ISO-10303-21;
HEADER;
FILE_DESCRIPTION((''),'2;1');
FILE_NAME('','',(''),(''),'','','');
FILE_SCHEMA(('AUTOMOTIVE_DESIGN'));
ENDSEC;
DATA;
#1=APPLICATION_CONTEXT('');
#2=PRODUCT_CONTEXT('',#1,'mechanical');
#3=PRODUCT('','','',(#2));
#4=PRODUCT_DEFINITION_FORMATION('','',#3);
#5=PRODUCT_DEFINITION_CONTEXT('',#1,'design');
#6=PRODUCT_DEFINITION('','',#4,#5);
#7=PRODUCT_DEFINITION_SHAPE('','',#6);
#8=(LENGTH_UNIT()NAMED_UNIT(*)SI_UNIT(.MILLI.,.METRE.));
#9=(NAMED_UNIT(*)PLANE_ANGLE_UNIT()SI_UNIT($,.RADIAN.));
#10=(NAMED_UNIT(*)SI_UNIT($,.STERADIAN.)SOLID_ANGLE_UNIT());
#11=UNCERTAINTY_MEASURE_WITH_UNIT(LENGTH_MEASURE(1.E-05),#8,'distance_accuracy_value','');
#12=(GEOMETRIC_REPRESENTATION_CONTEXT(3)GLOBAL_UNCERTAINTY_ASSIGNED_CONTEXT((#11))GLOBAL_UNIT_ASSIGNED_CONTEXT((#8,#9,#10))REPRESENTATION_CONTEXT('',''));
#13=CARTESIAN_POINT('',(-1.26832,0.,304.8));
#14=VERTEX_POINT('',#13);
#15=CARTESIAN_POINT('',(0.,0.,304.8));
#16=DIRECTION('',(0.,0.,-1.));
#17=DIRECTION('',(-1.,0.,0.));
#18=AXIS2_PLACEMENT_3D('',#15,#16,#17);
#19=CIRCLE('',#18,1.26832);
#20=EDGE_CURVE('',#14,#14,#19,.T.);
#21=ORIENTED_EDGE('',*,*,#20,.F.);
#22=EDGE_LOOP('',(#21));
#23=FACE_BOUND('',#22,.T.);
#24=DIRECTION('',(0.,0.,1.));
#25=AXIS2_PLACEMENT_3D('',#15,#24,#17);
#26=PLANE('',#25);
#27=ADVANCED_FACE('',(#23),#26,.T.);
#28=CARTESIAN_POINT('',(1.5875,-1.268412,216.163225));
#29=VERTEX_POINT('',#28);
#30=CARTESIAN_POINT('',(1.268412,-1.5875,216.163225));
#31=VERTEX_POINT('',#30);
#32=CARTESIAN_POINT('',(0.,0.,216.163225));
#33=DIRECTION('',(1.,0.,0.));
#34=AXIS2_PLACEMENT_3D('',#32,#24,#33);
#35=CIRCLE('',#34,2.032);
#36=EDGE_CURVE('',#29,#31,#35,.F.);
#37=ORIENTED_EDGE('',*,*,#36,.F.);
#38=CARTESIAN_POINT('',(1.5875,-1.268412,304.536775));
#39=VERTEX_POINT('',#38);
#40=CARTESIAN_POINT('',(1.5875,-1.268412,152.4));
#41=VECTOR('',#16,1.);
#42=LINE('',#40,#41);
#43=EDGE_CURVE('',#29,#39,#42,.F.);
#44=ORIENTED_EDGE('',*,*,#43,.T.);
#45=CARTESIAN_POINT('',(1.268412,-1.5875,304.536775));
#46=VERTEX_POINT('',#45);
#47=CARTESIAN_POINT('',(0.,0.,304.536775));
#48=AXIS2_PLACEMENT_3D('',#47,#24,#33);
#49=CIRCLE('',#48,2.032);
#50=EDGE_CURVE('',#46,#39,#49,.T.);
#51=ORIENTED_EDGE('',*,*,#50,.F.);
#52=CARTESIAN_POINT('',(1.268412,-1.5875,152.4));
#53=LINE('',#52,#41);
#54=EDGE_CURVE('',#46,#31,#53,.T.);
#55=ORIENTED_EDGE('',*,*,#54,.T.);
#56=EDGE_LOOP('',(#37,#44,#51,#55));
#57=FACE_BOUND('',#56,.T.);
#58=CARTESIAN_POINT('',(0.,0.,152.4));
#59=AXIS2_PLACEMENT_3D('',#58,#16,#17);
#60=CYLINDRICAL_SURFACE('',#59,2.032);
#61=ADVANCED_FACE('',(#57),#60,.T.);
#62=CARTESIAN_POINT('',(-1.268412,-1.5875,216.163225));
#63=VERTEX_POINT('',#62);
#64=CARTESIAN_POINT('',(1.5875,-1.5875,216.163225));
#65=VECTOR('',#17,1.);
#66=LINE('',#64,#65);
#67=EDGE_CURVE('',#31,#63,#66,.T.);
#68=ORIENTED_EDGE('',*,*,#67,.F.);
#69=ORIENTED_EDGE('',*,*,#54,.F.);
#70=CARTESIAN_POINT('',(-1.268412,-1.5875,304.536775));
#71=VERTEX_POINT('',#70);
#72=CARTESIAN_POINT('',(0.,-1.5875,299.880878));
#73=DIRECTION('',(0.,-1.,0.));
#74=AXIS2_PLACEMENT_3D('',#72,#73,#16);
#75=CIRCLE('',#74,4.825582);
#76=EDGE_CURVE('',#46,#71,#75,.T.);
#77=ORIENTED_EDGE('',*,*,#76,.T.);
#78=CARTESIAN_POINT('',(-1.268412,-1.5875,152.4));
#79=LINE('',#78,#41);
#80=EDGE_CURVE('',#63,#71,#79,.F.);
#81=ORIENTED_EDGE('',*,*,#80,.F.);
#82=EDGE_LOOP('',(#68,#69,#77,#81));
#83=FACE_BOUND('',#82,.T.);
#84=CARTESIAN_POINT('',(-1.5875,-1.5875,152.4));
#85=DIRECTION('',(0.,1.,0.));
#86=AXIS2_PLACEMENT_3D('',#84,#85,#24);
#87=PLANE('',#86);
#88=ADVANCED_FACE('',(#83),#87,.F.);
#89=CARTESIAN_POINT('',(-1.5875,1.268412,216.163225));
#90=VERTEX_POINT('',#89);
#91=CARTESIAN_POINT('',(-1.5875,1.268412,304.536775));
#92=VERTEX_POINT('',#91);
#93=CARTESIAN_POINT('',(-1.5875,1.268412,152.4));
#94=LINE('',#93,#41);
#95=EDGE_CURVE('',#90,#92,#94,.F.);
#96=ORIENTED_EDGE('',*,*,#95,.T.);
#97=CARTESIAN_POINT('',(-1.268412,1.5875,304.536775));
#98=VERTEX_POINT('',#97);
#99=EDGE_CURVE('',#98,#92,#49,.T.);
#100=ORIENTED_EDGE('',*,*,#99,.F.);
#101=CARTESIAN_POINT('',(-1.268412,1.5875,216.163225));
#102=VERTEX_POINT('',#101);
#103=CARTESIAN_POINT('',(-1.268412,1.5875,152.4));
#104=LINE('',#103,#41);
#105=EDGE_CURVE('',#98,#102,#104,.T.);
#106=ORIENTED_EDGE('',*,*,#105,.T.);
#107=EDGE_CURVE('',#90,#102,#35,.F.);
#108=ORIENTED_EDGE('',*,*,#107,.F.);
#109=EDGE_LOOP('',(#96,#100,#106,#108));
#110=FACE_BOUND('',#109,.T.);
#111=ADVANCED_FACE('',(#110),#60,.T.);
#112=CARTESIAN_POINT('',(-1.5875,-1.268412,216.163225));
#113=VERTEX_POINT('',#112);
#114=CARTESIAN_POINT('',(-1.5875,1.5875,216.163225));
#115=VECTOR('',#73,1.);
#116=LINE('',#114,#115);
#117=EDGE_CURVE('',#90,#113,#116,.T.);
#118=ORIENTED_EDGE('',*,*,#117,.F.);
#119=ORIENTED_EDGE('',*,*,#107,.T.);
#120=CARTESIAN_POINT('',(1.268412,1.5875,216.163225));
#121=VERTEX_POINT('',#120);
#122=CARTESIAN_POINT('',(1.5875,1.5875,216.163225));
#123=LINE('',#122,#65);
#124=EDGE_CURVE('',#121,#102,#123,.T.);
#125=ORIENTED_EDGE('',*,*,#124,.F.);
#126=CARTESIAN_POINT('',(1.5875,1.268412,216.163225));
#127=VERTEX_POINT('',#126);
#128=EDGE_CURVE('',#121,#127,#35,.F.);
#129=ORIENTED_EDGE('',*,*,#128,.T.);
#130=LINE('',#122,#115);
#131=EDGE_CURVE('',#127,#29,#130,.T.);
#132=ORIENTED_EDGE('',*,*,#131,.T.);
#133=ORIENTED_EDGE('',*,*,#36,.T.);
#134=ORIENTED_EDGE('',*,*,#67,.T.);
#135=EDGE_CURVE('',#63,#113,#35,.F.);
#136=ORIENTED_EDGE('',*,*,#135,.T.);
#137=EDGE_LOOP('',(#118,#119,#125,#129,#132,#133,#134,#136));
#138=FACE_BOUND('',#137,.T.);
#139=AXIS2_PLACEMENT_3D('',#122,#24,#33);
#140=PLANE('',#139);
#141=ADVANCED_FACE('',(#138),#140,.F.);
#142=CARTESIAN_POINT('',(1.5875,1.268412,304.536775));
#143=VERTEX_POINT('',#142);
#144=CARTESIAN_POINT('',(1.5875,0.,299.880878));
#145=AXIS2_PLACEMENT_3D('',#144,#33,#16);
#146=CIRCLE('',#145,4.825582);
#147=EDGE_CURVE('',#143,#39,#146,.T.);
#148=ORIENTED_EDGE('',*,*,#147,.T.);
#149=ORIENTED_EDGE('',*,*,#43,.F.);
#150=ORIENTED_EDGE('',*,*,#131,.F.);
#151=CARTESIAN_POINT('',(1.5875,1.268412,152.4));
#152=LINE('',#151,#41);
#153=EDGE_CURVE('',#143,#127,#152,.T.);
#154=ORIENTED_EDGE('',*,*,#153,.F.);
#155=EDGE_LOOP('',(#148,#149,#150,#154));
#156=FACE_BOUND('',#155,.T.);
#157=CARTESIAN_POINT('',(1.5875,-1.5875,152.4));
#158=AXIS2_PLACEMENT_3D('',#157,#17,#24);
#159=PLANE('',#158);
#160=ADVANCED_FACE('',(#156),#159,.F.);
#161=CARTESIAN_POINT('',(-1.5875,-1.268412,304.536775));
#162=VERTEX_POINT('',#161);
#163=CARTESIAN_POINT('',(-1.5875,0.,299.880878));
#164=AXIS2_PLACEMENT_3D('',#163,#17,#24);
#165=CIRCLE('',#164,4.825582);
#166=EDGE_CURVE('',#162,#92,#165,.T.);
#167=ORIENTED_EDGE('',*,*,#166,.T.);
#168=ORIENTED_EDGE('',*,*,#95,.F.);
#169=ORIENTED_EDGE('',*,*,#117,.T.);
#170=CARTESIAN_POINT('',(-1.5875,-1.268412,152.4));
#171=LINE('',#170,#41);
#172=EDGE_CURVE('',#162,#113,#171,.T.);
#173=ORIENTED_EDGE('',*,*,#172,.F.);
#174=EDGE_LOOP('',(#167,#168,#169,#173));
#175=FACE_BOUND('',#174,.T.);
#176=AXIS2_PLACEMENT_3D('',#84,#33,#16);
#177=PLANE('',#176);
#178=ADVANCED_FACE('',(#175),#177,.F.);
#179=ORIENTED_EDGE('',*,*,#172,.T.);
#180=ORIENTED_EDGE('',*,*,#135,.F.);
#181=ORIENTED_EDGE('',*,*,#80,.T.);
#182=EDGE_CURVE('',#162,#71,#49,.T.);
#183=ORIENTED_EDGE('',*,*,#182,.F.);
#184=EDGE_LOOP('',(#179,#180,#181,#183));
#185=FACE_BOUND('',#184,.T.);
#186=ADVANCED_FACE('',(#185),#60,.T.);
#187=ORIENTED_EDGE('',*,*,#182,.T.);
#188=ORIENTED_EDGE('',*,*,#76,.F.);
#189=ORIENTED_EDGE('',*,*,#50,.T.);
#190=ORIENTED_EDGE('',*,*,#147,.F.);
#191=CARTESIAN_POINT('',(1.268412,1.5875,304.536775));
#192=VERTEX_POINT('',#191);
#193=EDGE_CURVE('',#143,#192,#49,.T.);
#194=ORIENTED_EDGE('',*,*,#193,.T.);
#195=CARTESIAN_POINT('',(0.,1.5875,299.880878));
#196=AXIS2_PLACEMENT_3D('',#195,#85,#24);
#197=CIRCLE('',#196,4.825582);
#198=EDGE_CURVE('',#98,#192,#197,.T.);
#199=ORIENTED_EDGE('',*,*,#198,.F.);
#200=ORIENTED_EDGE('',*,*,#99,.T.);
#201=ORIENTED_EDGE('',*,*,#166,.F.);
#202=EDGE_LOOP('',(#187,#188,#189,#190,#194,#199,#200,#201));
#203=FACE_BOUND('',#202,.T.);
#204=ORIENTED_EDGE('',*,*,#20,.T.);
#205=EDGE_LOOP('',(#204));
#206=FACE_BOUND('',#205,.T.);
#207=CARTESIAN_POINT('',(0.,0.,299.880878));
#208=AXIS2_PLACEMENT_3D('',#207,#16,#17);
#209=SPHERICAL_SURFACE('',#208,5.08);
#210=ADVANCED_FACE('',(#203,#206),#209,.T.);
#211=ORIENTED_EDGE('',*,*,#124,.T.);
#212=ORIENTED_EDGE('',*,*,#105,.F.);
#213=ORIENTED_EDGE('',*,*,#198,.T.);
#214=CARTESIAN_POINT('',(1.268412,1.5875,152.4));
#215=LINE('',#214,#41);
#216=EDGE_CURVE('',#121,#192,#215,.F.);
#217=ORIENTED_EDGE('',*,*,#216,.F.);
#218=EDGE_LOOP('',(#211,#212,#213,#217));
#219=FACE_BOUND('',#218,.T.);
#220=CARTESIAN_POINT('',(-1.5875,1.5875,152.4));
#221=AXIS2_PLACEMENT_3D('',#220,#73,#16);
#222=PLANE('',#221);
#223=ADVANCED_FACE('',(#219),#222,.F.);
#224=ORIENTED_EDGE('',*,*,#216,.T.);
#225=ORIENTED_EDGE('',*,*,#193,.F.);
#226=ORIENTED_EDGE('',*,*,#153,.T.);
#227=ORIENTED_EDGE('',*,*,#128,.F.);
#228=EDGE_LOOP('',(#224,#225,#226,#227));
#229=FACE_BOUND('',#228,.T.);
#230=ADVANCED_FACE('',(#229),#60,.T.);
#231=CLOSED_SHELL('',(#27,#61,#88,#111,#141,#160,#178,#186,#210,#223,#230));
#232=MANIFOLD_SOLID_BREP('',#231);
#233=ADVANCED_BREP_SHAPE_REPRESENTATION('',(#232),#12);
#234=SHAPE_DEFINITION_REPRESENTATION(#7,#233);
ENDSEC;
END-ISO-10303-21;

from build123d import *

# Parameters (mm, degrees)
SKETCH1_W           = 3.175
SKETCH1_H           = 3.175
BOSS_EXTRUDE1_DEPTH = 152.4
SKETCH2_OUTSIDE_W   = 35.668
SKETCH2_OUTSIDE_H   = 35.668
SKETCH2_OUTSIDE_R   = 2.032
CUT_EXTRUDE1_DEPTH  = 153.4
CUT_EXTRUDE2_DEPTH  = 4.175
SKETCH6_W           = 3.175
SKETCH6_H           = 12.7
CUT_EXTRUDE3_DEPTH  = 4.175


with BuildPart() as part:
    # Sketch1 → Boss-Extrude1 (new body)
    with BuildSketch(Plane.XY):
        Rectangle(SKETCH1_W, SKETCH1_H)
    extrude(amount=BOSS_EXTRUDE1_DEPTH)

    # Sketch2 outside → Cut-Extrude1 (cut, through all)
    with BuildSketch(Plane(origin=(0, 0, 0), x_dir=(-1, 0, 0), z_dir=(0, 0, -1))):
        Rectangle(SKETCH2_OUTSIDE_W, SKETCH2_OUTSIDE_H)
        Circle(SKETCH2_OUTSIDE_R, mode=Mode.SUBTRACT)
    extrude(amount=-CUT_EXTRUDE1_DEPTH, mode=Mode.SUBTRACT)

    # Sketch3 → Cut-Revolve1 (revolve, cut)
    with BuildSketch(Plane(origin=(0, 0, 0), x_dir=(1, 0, 0), z_dir=(0, 1, 0))):
        with BuildLine():
            Line((-5.053685963, -4.40273269), (-5.053685963, 5.740530545))
            Line((-5.053685963, 5.740530545), (0, 5.740530545))
            Line((0, 5.740530545), (0, 0.160877736))
            ThreePointArc((0, 0.160877736), (-3.404639553, -1.148866368), (-5.053685963, -4.40273269))
        make_face()
    revolve(axis=Axis((0, 0, 152.4), (0, 0, -1)), mode=Mode.SUBTRACT)

    # Mirror1: part across plane


with BuildPart() as part_1:
    add(part.part)
    add(part.part.mirror(Plane(origin=(0, 0, 152.4), x_dir=(1, 0, 0), z_dir=(0, 0, -1))))

    # Sketch4 → Cut-Extrude2 (cut, through all)
    with BuildSketch(Plane(origin=(1.5875, 0, 0), x_dir=(0, 0, -1), z_dir=(1, 0, 0))):
        Polygon((-0.263225358, -1.5875), (-203.463225358, -1.5875), (-203.463225358, 1.5875), (-0.263225358, 1.5875), (0.835678169, 1.5875), (0.835678169, -1.5875), align=None)
    extrude(amount=-CUT_EXTRUDE2_DEPTH, mode=Mode.SUBTRACT)

    # Sketch6 → Cut-Extrude3 (cut, through all)
    with BuildSketch(Plane.XZ.offset(1.5875)):
        with Locations((0, 209.813225358)):
            Rectangle(SKETCH6_W, SKETCH6_H)
    extrude(amount=-CUT_EXTRUDE3_DEPTH, mode=Mode.SUBTRACT)


solid = part_1.part
